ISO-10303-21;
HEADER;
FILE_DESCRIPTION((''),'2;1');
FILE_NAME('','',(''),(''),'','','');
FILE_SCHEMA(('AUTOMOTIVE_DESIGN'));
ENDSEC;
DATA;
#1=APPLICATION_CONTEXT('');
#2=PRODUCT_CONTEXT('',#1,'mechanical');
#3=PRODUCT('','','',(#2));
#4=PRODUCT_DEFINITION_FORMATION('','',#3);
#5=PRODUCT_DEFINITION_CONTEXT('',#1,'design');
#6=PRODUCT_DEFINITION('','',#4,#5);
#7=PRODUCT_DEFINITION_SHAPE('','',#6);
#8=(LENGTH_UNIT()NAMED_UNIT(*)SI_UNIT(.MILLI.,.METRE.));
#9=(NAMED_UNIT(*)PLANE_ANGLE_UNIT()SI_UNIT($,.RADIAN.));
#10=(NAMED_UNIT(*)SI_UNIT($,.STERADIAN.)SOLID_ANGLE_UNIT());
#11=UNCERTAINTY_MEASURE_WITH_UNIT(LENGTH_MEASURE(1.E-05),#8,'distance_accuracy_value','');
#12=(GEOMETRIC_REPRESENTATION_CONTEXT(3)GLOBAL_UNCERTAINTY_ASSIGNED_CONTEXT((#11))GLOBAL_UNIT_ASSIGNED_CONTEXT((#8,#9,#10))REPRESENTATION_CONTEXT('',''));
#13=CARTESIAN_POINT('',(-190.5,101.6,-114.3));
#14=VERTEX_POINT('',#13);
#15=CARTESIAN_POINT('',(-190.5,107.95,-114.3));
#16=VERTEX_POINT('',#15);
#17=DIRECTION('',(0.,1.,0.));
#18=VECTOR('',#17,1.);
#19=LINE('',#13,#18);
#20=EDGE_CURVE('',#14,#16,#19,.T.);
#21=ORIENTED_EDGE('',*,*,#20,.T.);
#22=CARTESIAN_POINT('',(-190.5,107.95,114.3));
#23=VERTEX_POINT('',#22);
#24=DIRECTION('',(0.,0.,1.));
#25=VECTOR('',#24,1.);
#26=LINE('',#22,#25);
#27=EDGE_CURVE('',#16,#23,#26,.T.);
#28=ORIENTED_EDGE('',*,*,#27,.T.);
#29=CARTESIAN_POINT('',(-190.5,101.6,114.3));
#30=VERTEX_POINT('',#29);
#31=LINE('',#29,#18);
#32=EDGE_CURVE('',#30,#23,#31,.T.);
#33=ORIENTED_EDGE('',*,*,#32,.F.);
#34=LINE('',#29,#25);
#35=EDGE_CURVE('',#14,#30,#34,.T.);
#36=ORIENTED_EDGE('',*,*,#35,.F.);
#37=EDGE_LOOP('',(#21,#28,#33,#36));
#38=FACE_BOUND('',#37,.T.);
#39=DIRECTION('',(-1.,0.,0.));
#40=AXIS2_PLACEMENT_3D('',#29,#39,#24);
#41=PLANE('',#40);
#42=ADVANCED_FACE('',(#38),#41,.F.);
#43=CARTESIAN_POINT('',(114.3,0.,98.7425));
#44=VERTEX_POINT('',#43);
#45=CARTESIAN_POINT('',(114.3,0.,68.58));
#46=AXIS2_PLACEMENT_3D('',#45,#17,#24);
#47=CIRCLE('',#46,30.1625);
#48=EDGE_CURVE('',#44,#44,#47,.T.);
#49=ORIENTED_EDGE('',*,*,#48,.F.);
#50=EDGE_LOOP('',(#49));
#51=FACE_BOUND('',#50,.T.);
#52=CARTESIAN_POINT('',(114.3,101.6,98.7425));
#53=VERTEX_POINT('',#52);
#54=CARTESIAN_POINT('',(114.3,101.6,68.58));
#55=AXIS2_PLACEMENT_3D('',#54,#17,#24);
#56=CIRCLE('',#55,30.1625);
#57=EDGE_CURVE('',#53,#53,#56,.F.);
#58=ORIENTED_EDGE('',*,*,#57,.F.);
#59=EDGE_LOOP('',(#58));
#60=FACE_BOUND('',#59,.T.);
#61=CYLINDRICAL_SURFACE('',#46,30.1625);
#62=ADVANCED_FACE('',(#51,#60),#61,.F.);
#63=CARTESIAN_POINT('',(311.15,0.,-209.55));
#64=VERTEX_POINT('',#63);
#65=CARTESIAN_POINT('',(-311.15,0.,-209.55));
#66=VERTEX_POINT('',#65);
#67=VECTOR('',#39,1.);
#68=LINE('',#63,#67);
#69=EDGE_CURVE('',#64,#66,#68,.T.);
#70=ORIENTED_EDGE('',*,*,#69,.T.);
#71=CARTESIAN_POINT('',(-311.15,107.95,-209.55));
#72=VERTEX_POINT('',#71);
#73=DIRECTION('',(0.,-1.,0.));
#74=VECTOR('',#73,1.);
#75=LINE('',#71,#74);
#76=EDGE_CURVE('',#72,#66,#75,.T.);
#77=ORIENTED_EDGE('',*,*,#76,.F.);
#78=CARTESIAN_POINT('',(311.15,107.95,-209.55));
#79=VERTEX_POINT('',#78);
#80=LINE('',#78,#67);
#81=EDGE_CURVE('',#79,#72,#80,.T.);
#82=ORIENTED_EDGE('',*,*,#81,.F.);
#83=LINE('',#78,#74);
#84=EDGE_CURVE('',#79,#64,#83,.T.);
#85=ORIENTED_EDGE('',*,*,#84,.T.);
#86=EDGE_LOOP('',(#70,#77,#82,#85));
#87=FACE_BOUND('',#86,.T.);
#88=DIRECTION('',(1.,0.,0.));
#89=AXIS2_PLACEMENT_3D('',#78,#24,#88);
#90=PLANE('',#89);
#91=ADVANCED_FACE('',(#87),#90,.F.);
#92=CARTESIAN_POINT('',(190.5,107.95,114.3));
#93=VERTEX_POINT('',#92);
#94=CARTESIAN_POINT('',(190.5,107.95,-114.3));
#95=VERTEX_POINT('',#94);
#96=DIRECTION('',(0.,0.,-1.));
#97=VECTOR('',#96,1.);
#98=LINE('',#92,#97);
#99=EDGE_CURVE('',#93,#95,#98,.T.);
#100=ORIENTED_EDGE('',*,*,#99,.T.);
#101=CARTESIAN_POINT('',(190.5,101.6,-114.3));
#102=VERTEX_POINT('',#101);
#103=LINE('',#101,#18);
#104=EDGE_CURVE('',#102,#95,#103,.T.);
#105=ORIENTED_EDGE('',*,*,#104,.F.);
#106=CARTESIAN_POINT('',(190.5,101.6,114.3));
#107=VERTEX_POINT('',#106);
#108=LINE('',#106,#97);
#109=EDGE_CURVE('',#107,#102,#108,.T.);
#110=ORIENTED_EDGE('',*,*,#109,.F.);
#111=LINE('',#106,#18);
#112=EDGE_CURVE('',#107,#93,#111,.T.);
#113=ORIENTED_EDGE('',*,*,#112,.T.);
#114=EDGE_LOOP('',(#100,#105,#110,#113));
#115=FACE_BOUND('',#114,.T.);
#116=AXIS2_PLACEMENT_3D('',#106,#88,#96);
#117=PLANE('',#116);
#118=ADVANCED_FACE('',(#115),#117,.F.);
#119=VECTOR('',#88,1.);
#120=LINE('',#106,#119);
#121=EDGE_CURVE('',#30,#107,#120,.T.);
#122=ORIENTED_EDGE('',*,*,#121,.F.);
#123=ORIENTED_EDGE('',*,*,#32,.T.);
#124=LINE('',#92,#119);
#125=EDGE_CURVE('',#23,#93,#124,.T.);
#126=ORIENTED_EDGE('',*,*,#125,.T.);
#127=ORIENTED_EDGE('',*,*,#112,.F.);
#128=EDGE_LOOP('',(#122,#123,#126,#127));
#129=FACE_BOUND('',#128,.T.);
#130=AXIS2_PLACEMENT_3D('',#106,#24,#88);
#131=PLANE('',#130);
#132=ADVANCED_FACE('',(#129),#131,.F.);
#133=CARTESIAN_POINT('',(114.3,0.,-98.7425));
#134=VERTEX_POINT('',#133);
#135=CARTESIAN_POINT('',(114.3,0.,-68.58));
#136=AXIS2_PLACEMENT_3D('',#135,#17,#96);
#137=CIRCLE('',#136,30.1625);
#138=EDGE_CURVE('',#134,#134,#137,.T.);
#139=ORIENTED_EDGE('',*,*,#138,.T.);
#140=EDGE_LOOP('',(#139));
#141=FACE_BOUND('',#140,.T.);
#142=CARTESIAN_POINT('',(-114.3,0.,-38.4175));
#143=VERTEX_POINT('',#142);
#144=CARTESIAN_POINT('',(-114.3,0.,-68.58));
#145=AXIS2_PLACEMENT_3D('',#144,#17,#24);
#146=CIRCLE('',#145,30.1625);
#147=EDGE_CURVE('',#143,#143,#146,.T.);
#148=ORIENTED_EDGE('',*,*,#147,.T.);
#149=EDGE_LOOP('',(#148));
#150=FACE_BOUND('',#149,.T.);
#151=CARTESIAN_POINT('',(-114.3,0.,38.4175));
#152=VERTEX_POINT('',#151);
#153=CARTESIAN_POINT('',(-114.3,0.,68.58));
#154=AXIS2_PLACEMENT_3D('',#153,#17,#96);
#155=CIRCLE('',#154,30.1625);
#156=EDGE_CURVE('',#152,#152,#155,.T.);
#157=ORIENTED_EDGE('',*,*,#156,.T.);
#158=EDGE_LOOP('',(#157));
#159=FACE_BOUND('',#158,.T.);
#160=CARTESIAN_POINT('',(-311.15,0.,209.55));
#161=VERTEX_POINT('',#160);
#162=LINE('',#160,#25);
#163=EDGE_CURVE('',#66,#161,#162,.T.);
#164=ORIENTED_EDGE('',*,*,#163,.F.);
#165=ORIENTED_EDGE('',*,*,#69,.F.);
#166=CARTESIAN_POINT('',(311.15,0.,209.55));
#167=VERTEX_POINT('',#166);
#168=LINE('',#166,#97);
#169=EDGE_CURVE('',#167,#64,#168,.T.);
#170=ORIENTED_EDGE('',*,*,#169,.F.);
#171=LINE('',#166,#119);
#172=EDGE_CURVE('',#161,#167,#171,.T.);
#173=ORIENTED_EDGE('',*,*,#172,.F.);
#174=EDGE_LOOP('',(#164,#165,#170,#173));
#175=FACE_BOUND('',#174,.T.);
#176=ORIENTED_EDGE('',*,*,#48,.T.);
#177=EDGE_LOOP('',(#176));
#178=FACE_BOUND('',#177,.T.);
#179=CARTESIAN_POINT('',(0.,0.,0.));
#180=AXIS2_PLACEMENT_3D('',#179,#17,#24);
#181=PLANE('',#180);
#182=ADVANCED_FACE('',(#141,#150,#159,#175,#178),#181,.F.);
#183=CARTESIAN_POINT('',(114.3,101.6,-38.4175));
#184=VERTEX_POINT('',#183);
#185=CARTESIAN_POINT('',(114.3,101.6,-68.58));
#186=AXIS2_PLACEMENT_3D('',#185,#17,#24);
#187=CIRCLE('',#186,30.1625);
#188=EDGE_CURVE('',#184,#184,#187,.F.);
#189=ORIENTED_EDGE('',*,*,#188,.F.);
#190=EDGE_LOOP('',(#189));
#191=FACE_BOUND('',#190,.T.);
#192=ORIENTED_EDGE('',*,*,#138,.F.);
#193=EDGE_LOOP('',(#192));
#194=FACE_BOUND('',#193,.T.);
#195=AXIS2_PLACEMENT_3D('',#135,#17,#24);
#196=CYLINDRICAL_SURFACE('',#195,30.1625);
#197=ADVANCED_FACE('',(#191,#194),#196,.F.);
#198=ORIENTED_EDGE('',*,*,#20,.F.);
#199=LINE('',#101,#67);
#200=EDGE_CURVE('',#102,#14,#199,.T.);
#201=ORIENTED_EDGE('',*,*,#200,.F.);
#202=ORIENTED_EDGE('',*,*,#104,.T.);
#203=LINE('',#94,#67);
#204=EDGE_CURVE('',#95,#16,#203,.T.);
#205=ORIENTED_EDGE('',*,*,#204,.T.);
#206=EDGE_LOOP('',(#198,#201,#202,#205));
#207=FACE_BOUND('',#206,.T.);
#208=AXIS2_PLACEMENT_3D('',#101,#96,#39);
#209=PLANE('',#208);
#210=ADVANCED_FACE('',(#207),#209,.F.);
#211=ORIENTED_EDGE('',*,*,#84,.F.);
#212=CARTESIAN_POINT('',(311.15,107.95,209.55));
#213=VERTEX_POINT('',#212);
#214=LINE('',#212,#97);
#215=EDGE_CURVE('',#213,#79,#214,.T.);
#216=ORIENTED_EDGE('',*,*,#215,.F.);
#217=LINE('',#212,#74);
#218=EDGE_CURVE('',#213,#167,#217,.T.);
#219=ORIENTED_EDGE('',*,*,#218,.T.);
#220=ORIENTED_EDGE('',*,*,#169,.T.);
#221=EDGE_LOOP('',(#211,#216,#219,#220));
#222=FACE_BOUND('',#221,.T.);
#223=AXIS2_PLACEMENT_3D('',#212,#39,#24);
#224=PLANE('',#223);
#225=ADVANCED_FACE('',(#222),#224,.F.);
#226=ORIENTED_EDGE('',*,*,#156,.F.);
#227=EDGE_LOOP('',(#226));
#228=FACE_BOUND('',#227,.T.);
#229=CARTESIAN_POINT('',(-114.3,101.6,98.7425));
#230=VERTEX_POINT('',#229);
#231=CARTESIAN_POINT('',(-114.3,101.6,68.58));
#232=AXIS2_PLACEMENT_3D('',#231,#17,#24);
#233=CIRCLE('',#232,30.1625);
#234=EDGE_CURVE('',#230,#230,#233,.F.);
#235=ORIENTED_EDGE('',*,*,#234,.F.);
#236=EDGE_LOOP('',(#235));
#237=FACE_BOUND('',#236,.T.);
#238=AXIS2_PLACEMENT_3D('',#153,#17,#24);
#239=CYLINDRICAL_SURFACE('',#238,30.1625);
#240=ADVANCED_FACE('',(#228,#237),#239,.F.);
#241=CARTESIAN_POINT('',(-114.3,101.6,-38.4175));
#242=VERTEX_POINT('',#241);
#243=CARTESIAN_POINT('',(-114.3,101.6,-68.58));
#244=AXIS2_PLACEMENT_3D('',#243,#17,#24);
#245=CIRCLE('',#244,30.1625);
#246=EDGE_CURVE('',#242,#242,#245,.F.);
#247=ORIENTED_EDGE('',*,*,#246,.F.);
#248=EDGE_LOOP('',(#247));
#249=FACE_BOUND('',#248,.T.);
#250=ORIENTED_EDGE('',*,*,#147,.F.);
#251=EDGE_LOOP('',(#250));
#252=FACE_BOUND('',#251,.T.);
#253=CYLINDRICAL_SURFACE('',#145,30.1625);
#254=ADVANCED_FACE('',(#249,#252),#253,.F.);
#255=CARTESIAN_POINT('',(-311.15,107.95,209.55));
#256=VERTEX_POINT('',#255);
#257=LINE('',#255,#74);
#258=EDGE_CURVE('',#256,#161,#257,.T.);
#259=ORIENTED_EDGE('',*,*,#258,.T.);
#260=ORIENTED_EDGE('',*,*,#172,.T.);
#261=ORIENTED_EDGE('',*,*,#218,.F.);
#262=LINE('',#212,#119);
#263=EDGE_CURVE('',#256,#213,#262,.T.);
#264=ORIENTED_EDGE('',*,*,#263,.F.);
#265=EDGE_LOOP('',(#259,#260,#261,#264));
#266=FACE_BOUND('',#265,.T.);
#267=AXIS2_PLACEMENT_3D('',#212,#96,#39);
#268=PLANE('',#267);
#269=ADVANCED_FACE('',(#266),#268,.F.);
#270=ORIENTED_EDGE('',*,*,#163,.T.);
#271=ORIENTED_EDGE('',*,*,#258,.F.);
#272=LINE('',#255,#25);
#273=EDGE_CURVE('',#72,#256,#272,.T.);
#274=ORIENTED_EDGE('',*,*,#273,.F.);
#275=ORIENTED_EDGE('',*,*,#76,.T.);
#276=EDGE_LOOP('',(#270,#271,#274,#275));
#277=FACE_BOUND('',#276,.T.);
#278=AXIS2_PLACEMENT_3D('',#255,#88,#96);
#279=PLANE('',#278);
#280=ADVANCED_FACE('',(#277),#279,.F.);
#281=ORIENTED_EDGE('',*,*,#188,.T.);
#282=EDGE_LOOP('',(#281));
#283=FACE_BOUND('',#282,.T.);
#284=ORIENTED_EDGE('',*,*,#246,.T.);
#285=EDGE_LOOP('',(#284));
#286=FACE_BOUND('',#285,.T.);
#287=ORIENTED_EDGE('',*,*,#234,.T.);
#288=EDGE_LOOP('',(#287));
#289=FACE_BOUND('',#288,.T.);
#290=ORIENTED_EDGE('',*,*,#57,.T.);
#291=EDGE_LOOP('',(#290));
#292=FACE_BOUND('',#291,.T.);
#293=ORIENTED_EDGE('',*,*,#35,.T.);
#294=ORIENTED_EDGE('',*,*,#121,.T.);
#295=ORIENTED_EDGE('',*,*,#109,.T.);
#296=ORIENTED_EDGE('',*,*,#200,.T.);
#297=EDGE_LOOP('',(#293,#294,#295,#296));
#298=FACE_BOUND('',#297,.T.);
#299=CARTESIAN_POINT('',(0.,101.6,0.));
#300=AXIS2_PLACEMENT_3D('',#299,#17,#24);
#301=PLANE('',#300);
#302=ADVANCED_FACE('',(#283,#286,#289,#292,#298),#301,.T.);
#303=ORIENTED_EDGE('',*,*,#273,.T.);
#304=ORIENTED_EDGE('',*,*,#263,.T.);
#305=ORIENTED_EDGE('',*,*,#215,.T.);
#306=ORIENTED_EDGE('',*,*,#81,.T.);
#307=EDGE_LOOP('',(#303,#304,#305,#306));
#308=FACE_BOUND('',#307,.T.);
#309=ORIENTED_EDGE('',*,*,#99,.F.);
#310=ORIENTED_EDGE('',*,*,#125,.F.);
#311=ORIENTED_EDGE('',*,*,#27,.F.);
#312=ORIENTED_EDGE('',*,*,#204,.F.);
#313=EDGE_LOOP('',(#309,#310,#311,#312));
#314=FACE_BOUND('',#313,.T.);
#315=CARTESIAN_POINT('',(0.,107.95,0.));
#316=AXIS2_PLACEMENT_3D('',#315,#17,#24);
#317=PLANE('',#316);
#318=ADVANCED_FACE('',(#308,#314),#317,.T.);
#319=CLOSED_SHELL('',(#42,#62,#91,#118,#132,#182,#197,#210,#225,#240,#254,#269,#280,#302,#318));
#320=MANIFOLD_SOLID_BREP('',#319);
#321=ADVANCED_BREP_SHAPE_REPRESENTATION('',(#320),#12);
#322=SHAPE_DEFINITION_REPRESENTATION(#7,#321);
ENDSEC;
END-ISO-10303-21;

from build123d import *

# Parameters (mm, degrees)
SKETCH1_W           = 622.3
SKETCH1_H           = 419.1
BOSS_EXTRUDE1_DEPTH = 107.95
SKETCH4_R           = 30.1625
CUT_EXTRUDE3_DEPTH  = 108.95
SKETCH5_W           = 381
SKETCH5_H           = 228.6
CUT_EXTRUDE4_DEPTH  = 6.35


with BuildPart() as part:
    # Sketch1 → Boss-Extrude1 (new body)
    with BuildSketch(Plane(origin=(0, 0, 0), x_dir=(1, 0, 0), z_dir=(0, 1, 0))):
        Rectangle(SKETCH1_W, SKETCH1_H)
    extrude(amount=BOSS_EXTRUDE1_DEPTH)

    # Sketch4 → Cut-Extrude3 (cut, through all)
    with BuildSketch(Plane(origin=(0, 107.95, 0), x_dir=(1, 0, 0), z_dir=(0, 1, 0))):
        with Locations((-114.3, 68.58)):
            Circle(SKETCH4_R)
        with Locations((-114.3, -68.58)):
            Circle(SKETCH4_R)
        with Locations((114.3, 68.58)):
            Circle(SKETCH4_R)
        with Locations((114.3, -68.58)):
            Circle(SKETCH4_R)
    extrude(amount=-CUT_EXTRUDE3_DEPTH, mode=Mode.SUBTRACT)

    # Sketch5 → Cut-Extrude4 (cut)
    with BuildSketch(Plane(origin=(0, 107.95, 0), x_dir=(1, 0, 0), z_dir=(0, 1, 0))):
        Rectangle(SKETCH5_W, SKETCH5_H)
    extrude(amount=-CUT_EXTRUDE4_DEPTH, mode=Mode.SUBTRACT)


solid = part.part
